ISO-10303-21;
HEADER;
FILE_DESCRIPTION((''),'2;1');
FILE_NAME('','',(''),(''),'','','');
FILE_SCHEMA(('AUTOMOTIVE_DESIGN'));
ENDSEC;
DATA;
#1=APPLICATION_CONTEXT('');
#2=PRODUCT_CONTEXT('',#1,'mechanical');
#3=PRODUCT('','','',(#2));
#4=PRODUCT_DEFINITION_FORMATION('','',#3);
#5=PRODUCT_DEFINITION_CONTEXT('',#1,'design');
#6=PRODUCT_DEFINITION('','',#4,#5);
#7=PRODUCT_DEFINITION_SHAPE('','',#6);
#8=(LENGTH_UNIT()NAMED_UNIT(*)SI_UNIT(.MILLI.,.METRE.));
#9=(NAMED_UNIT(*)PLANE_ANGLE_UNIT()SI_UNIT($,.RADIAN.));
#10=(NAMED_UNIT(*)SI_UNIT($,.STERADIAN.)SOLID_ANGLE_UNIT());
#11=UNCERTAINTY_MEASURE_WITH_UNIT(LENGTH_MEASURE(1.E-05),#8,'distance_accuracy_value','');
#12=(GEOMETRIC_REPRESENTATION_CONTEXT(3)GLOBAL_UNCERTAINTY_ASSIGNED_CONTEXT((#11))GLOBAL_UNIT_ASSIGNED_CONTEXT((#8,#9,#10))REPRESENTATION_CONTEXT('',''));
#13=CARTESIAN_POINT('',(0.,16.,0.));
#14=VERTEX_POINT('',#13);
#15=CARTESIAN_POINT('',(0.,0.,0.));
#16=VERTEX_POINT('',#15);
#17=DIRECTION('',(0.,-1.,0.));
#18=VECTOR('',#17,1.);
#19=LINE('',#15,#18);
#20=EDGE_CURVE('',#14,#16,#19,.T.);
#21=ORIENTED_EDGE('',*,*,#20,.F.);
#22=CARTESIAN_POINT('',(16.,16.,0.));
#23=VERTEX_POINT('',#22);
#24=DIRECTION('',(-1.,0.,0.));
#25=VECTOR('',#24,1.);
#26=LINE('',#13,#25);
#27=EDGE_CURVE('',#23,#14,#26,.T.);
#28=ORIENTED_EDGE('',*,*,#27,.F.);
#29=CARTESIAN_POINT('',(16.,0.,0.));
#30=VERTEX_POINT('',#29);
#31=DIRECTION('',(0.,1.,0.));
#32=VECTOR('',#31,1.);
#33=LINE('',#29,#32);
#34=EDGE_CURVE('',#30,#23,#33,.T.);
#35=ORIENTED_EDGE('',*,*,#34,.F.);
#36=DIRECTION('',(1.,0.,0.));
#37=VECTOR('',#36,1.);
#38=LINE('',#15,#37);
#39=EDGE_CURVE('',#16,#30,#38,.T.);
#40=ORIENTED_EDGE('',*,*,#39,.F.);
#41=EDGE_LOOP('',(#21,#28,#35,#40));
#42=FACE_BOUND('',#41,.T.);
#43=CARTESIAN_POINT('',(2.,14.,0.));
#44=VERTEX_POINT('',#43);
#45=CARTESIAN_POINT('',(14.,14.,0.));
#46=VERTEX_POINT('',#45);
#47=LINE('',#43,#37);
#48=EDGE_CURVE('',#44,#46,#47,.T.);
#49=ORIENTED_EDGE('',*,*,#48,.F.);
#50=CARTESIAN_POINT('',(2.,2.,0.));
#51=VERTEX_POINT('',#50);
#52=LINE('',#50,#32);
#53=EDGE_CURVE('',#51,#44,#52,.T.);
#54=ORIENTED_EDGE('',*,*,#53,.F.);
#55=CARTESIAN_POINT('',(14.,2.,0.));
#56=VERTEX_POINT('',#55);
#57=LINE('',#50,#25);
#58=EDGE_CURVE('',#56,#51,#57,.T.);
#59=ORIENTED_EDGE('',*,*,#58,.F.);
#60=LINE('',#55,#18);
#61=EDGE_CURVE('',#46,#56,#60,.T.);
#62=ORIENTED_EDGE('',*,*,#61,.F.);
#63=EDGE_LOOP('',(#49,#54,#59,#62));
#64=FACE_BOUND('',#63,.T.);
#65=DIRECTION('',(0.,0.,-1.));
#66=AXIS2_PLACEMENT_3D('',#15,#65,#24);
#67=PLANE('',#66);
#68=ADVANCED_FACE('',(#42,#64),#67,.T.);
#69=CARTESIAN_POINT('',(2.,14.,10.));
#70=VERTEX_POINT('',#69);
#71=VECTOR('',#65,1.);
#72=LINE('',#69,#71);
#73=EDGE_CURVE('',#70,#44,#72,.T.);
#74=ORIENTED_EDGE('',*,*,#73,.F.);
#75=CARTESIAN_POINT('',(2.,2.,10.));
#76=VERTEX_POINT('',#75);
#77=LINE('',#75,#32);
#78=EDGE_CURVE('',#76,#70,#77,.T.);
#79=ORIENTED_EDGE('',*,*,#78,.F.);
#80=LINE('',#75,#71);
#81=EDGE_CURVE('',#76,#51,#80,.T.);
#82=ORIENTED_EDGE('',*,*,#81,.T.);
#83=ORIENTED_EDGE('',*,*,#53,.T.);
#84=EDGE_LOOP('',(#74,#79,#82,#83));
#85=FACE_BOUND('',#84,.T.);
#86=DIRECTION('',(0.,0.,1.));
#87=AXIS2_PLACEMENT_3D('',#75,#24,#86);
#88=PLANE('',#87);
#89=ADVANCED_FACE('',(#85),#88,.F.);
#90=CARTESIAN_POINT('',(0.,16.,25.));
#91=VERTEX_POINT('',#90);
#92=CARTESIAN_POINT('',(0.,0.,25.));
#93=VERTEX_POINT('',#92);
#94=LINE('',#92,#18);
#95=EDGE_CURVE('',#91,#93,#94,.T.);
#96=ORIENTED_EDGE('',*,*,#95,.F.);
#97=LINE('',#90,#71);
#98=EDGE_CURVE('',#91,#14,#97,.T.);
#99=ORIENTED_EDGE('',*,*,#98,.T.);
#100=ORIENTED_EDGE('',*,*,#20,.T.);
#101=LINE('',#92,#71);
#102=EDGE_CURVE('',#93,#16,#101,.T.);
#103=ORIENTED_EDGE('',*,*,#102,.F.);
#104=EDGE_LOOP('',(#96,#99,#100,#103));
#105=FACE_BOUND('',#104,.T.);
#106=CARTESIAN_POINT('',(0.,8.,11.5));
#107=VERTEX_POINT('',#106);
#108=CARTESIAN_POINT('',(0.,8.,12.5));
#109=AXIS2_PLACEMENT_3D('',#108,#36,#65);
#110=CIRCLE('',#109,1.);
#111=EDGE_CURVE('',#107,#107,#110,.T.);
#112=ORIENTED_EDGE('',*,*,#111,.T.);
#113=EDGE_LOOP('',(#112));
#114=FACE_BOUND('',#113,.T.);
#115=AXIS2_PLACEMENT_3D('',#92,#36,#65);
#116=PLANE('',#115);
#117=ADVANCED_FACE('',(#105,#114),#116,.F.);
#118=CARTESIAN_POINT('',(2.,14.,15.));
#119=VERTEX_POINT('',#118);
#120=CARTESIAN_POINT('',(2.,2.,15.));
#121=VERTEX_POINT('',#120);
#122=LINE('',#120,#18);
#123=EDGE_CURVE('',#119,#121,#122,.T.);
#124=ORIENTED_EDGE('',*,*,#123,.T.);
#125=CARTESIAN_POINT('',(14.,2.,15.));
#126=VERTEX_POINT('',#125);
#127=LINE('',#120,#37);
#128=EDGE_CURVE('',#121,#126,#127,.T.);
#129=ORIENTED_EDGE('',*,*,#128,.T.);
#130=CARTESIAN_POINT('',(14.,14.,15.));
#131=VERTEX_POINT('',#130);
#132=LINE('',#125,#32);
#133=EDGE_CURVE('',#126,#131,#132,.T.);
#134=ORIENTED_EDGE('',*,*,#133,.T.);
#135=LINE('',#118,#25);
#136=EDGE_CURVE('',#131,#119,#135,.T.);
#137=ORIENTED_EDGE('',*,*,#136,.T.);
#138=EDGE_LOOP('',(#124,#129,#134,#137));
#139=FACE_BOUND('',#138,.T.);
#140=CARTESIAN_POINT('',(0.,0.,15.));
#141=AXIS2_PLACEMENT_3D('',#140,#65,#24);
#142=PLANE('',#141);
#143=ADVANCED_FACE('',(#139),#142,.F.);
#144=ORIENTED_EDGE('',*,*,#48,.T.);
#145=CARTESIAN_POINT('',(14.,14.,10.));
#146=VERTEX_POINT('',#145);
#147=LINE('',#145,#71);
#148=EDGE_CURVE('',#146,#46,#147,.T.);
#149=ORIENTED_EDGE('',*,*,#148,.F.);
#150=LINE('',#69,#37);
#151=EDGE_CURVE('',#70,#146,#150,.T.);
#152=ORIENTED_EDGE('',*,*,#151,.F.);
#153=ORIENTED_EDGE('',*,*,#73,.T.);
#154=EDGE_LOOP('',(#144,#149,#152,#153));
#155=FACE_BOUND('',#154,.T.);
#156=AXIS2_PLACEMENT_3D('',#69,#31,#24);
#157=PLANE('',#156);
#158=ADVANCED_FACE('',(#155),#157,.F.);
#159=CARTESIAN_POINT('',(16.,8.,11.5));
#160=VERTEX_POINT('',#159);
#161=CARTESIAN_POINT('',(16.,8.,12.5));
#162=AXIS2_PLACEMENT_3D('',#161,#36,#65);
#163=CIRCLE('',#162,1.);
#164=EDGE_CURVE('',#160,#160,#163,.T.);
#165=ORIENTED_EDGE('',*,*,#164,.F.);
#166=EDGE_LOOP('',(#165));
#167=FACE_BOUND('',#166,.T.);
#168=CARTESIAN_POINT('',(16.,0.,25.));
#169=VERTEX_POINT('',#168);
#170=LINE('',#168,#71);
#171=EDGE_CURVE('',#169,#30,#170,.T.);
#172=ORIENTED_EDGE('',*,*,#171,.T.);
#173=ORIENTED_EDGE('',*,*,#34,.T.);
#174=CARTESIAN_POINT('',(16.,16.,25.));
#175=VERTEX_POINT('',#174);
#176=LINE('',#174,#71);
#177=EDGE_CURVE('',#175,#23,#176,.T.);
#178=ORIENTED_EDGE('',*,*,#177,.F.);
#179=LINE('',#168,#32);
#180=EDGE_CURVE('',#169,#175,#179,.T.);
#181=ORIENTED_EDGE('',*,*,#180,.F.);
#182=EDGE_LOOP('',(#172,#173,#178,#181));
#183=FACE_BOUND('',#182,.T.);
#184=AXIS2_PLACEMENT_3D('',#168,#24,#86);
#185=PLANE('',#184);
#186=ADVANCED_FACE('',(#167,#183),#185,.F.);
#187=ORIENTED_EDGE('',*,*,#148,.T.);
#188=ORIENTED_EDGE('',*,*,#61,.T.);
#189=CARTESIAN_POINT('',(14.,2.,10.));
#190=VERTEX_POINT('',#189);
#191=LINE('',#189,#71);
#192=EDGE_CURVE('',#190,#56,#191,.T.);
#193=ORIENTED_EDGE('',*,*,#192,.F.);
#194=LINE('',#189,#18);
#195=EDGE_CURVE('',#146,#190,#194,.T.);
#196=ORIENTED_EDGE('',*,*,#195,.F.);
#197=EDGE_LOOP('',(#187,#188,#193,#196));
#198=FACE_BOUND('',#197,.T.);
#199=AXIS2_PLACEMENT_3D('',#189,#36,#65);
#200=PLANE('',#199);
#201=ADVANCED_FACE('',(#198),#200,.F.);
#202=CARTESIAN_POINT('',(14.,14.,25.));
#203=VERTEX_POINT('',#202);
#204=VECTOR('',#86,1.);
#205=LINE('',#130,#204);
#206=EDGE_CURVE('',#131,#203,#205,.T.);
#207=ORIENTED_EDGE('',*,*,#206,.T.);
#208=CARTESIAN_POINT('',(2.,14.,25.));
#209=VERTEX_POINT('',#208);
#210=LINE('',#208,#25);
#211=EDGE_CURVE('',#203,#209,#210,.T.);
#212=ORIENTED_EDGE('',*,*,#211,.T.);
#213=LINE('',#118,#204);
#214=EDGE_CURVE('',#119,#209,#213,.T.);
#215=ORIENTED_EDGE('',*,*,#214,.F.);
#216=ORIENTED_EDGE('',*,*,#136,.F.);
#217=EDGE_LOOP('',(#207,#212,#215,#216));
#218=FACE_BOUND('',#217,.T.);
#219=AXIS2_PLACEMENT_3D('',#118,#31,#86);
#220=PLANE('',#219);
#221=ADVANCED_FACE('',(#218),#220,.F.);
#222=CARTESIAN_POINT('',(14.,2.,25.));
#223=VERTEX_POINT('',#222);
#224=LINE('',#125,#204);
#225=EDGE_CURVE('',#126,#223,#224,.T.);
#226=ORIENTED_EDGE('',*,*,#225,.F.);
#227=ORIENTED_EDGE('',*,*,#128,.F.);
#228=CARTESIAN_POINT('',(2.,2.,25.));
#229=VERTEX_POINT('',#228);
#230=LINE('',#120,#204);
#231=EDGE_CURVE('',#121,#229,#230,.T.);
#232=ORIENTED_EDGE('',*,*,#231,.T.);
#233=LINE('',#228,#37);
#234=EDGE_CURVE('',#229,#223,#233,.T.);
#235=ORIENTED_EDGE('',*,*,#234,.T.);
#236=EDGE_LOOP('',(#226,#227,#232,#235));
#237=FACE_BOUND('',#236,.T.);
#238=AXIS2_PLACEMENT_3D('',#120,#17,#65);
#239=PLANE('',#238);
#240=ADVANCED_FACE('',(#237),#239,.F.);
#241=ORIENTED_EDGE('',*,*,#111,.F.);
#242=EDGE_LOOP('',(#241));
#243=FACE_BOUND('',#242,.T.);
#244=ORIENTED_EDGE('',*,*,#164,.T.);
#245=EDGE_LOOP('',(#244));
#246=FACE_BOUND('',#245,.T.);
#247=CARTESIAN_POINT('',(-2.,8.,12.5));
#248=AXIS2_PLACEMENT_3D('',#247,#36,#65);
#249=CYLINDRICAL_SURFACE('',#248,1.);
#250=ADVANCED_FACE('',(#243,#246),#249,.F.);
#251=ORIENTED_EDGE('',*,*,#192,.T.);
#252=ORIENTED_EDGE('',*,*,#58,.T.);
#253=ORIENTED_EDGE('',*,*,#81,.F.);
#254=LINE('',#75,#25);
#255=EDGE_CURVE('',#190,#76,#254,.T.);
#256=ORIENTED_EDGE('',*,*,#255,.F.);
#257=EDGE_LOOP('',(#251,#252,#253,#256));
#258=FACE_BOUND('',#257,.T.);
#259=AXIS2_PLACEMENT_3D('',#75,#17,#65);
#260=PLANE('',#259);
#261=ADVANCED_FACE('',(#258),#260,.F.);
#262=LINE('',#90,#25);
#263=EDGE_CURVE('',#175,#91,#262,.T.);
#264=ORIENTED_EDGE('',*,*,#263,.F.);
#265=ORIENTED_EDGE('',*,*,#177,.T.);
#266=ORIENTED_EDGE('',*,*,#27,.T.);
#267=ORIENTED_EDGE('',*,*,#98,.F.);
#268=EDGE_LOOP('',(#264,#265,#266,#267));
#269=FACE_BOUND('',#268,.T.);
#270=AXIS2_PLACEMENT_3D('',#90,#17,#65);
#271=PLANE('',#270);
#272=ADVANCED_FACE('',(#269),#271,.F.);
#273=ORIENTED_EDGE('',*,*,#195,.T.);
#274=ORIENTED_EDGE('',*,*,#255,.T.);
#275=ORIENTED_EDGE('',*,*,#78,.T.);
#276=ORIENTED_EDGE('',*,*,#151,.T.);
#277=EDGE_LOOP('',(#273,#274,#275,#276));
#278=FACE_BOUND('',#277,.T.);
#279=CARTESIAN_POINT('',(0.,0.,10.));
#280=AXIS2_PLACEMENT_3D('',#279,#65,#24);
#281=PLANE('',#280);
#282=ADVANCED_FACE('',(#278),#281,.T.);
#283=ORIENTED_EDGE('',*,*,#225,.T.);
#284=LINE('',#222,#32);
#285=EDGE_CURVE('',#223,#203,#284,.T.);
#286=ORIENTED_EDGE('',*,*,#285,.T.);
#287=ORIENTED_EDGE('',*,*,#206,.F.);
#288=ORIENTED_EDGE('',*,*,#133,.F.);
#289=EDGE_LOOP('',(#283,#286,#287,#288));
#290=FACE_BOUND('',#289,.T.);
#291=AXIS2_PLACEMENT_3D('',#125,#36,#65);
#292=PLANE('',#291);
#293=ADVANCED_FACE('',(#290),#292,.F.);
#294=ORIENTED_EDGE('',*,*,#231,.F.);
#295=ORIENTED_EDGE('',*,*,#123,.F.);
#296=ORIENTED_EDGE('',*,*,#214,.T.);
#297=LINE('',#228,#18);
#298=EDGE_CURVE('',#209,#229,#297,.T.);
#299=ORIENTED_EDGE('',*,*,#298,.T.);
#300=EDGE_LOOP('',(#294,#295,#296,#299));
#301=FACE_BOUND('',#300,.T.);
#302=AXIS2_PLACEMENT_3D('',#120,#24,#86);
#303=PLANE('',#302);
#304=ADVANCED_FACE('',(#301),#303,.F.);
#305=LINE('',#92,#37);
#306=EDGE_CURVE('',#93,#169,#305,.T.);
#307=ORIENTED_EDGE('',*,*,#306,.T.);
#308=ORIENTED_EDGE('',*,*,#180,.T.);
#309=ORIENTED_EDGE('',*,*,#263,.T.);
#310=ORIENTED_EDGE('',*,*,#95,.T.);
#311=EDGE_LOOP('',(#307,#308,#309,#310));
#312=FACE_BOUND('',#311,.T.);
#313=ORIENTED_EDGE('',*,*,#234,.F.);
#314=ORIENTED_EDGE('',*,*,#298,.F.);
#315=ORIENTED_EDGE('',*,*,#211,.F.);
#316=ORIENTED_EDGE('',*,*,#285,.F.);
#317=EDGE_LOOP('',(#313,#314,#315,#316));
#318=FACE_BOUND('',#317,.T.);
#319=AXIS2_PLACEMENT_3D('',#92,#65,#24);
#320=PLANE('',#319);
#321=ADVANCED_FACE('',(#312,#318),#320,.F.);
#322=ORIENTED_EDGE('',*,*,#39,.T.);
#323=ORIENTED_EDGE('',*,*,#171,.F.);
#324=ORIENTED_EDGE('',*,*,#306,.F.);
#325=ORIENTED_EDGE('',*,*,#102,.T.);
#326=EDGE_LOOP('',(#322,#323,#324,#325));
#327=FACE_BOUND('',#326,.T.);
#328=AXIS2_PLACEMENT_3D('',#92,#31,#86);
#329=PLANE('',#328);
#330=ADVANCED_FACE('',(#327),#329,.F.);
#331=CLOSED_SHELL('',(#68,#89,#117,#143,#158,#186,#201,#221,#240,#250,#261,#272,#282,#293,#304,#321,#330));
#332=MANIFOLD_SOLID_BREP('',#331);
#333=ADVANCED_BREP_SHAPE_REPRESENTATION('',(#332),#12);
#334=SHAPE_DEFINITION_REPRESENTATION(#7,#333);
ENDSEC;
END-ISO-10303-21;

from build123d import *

# Parameters (mm, degrees)
SKETCH_1_W          = 16
SKETCH_1_H          = 16
EXTRUDE_2_DEPTH     = 25
SKETCH_2_W          = 12
SKETCH_2_H          = 12
CUT_EXTRUDE_1_DEPTH = 10
SKETCH_4_W          = 12
SKETCH_4_H          = 12
CUT_EXTRUDE_3_DEPTH = 10
SKETCH_5_R          = 1
CUT_EXTRUDE_4_DEPTH = 18


with BuildPart() as part:
    # 草图1 → 凸台-拉伸2 (new body)
    with BuildSketch(Plane.XY):
        with Locations((8, 8)):
            Rectangle(SKETCH_1_W, SKETCH_1_H)
    extrude(amount=EXTRUDE_2_DEPTH)

    # 草图2 → 切除-拉伸1 (cut)
    with BuildSketch(Plane(origin=(0, 0, 0), x_dir=(-1, 0, 0), z_dir=(0, 0, -1))):
        with Locations((-8, 8)):
            Rectangle(SKETCH_2_W, SKETCH_2_H)
    extrude(amount=-CUT_EXTRUDE_1_DEPTH, mode=Mode.SUBTRACT)

    # 草图4 → 切除-拉伸3 (cut)
    with BuildSketch(Plane.XY.offset(25)):
        with Locations((8, 8)):
            Rectangle(SKETCH_4_W, SKETCH_4_H)
    extrude(amount=-CUT_EXTRUDE_3_DEPTH, mode=Mode.SUBTRACT)

    # 草图5 → 切除-拉伸4 (cut)
    with BuildSketch(Plane(origin=(16, 0, 0), x_dir=(0, 0, -1), z_dir=(1, 0, 0))):
        with Locations((-12.5, 8)):
            Circle(SKETCH_5_R)
    extrude(amount=-CUT_EXTRUDE_4_DEPTH, mode=Mode.SUBTRACT)


solid = part.part
